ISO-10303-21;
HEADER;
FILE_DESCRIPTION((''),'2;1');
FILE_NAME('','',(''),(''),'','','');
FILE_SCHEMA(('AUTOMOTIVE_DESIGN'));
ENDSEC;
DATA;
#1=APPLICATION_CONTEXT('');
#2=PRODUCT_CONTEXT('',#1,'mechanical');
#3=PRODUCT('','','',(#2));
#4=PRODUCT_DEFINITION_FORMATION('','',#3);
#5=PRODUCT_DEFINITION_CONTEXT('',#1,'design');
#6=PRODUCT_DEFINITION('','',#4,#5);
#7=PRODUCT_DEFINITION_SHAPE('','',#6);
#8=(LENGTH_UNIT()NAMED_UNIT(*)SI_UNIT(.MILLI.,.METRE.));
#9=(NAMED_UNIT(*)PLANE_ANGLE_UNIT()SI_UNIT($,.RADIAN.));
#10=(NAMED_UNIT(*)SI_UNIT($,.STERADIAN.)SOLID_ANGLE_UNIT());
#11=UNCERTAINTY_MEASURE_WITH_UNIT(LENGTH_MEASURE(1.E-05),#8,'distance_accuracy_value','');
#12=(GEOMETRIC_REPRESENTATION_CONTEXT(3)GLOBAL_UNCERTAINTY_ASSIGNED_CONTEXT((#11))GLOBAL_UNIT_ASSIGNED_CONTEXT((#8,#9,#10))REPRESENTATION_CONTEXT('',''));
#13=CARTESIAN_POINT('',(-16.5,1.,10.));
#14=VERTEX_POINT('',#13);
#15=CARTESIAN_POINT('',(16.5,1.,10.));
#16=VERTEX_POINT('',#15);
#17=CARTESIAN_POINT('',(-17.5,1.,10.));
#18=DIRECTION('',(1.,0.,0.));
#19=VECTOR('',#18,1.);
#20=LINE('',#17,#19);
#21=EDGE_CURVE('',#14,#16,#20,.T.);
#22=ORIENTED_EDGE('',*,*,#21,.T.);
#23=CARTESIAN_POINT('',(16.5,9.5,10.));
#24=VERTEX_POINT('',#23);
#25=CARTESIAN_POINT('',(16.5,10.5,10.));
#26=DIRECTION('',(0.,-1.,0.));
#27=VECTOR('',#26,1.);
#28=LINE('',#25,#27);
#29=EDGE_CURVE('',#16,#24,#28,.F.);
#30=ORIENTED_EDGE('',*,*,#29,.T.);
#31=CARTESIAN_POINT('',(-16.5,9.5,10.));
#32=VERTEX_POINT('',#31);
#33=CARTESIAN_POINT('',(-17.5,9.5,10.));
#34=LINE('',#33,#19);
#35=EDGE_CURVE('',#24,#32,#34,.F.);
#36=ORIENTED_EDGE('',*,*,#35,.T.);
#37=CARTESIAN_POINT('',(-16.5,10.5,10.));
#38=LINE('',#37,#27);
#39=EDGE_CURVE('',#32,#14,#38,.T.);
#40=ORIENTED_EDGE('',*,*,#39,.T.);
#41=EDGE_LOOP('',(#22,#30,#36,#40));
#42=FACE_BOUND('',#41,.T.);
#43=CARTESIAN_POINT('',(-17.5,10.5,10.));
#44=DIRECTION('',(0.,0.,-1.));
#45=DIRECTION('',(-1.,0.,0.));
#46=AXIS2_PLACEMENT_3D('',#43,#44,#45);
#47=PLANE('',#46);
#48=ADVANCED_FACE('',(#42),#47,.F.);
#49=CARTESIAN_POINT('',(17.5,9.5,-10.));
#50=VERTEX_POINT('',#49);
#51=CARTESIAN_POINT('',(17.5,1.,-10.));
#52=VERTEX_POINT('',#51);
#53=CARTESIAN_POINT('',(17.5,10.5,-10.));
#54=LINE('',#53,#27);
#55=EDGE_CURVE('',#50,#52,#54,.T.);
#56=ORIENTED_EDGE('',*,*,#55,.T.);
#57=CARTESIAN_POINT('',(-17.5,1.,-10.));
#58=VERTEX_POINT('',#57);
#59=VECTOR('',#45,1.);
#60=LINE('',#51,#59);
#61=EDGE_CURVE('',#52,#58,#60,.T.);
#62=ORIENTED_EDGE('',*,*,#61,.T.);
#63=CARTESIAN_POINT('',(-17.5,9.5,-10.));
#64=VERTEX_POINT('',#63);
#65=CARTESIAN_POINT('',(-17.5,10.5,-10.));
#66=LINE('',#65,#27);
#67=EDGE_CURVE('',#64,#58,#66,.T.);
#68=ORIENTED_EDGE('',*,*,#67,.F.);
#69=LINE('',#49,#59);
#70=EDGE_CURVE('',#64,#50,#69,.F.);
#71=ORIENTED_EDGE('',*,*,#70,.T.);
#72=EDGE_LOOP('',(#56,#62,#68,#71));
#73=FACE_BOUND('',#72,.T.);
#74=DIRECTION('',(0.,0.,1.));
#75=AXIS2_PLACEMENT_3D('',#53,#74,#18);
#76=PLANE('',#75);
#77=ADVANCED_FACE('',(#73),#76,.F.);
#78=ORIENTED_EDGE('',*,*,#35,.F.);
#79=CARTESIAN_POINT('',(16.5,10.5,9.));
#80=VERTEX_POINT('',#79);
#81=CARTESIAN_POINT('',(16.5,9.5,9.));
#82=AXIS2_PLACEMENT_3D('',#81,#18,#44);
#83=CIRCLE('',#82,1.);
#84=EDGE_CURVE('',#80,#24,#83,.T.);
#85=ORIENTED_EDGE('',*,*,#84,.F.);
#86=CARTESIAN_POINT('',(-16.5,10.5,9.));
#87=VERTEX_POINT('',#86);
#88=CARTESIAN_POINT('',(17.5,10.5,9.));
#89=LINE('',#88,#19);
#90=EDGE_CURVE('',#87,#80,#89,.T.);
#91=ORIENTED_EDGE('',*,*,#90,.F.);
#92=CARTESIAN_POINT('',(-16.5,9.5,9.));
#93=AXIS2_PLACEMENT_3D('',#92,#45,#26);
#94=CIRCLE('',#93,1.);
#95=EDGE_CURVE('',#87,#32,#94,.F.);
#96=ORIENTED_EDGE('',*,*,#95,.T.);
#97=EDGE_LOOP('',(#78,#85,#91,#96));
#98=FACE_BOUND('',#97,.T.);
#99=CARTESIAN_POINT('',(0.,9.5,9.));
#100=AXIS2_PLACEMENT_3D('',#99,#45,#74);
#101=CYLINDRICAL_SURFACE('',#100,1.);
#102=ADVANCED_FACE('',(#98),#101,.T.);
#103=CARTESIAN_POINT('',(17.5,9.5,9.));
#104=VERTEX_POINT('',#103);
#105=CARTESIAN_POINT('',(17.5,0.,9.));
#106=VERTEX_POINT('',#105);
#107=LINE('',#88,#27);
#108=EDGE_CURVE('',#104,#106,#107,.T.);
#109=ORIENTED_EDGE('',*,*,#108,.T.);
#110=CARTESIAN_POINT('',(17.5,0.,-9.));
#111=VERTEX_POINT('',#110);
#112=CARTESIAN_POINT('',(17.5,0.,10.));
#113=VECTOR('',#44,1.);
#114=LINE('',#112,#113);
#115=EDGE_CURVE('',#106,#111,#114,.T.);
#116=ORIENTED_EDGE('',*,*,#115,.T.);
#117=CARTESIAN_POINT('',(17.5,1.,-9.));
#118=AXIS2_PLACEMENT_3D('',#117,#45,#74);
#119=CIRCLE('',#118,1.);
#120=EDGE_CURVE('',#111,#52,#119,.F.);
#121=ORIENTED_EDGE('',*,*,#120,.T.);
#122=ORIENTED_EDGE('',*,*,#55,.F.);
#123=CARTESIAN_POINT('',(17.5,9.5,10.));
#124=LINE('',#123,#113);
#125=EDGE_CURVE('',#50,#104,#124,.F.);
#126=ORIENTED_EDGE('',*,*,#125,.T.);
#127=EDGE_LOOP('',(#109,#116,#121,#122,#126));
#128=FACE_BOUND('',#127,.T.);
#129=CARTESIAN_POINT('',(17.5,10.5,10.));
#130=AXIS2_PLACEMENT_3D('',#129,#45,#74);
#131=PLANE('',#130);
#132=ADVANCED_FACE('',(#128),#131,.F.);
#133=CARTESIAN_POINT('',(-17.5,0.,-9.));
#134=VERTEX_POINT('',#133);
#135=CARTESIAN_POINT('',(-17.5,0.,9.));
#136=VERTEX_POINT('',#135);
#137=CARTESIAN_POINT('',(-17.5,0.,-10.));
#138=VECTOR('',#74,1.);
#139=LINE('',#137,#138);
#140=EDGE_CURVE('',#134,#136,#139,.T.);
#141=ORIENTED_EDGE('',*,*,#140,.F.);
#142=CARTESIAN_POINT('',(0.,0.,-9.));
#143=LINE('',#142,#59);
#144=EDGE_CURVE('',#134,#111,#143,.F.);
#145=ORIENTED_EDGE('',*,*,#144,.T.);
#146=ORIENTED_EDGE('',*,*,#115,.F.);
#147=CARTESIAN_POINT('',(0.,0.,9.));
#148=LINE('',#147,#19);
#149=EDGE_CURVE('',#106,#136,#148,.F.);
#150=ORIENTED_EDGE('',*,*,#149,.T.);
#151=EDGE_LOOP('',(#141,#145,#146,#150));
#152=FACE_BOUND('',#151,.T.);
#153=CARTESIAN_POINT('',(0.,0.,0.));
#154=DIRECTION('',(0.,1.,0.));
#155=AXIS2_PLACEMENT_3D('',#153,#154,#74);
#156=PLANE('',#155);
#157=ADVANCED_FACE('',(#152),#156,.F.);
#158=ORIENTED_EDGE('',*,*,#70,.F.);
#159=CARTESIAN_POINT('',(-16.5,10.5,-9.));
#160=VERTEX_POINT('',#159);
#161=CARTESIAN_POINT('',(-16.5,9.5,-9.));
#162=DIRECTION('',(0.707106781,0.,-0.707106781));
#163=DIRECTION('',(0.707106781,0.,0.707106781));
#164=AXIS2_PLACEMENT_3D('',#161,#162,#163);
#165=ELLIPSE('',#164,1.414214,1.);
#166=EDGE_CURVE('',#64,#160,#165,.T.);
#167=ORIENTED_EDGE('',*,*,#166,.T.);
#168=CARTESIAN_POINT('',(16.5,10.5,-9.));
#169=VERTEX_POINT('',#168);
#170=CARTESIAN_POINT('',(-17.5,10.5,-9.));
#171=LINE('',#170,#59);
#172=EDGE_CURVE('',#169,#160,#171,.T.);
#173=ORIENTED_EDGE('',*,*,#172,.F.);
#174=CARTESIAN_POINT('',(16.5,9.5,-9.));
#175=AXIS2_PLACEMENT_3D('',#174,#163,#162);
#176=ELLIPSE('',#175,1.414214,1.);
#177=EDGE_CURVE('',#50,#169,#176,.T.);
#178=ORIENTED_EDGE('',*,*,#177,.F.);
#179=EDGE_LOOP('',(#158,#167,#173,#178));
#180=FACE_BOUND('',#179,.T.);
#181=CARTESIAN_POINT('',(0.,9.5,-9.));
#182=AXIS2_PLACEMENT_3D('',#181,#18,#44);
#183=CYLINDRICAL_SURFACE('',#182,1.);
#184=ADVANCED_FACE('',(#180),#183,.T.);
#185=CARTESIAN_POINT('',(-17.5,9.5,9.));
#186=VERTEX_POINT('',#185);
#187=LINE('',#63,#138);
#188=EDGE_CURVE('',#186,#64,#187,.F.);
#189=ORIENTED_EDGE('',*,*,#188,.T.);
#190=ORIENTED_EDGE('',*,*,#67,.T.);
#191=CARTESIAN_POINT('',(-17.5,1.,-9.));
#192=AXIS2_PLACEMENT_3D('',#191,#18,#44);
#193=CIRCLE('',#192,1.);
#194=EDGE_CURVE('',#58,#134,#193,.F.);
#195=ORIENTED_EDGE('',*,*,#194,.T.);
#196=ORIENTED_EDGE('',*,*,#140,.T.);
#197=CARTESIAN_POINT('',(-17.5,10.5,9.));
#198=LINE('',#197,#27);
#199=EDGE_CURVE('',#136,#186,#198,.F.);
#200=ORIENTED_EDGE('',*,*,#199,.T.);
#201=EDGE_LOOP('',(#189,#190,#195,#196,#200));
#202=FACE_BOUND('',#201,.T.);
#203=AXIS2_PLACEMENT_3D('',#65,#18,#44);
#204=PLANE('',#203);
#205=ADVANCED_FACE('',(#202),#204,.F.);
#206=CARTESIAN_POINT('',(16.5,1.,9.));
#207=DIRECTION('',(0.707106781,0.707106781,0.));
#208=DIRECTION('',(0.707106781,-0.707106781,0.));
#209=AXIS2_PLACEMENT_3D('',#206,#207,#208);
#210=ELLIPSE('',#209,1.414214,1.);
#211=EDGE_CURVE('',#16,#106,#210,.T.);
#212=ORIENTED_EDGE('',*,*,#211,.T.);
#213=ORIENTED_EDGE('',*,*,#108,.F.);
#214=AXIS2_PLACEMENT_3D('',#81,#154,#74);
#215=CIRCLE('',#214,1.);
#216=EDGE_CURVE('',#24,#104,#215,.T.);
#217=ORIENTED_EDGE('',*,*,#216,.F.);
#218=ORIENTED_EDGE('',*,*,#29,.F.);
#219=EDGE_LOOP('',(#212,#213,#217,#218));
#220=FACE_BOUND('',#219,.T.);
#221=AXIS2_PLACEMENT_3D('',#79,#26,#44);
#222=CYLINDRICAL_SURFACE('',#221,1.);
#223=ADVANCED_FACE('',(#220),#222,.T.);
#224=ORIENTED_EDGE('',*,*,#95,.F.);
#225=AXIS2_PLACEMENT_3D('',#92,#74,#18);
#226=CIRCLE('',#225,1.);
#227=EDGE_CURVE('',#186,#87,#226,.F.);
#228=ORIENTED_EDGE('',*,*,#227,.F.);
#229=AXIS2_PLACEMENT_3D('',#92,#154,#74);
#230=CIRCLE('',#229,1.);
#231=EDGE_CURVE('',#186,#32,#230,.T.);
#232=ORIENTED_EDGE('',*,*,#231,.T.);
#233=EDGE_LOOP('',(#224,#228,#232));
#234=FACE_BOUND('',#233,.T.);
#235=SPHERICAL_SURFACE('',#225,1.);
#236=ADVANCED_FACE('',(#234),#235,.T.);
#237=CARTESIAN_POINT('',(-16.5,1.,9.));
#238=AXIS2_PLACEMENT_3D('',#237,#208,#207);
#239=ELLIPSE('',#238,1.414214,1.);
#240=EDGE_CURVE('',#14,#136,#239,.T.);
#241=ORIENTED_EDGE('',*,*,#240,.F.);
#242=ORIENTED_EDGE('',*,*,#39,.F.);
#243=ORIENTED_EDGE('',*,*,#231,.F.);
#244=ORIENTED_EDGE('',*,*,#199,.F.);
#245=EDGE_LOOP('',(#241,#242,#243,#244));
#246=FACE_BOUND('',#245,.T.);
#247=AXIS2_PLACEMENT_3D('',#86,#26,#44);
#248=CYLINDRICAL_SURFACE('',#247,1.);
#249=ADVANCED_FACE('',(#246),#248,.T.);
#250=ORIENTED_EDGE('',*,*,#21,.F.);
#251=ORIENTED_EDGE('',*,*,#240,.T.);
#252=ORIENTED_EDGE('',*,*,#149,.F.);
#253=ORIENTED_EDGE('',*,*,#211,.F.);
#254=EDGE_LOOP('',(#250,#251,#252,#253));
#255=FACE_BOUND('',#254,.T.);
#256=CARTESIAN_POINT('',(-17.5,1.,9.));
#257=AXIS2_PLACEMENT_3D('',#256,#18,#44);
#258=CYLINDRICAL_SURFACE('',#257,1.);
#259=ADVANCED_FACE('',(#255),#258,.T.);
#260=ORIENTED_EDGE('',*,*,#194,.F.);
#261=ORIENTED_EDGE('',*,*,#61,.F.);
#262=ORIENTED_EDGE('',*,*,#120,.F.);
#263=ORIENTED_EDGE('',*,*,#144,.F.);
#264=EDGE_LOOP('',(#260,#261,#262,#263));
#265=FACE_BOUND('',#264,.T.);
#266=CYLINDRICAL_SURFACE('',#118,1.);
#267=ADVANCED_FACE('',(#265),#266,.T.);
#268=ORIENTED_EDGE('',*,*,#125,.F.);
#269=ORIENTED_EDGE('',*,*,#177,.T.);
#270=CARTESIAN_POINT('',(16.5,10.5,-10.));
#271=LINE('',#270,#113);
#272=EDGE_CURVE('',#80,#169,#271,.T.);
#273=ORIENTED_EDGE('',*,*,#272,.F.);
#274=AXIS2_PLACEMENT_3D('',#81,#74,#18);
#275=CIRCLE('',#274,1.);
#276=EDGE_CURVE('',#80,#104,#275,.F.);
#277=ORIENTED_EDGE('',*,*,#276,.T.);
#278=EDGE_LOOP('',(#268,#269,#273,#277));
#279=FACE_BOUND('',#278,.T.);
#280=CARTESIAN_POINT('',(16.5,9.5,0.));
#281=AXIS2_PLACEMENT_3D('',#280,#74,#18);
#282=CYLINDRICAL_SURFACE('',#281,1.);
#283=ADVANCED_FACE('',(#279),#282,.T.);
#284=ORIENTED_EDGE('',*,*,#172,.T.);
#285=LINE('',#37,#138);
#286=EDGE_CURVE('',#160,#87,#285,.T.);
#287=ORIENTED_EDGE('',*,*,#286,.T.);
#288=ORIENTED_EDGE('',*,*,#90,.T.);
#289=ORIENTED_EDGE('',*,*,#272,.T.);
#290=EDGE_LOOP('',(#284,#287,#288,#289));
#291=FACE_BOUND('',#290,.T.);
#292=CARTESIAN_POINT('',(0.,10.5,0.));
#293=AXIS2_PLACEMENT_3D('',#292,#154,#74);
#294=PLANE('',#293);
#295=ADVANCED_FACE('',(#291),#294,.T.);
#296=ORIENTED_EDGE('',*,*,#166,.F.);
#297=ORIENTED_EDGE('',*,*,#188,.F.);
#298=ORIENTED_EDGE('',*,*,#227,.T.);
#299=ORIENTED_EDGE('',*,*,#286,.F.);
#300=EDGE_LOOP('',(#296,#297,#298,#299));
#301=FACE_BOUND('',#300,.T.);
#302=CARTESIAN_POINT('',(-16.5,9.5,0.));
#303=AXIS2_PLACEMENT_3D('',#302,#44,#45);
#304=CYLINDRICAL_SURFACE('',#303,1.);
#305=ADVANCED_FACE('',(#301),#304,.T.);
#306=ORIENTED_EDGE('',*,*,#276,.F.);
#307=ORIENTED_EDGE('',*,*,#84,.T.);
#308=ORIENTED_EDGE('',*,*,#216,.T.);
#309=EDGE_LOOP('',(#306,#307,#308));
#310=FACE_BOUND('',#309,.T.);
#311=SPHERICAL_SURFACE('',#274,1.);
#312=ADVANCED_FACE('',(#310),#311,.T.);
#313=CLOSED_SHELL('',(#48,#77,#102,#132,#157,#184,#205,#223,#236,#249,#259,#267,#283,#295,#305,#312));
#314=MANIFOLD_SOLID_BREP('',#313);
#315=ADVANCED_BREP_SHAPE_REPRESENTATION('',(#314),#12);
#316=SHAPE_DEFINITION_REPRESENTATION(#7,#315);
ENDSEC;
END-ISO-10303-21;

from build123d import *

# Parameters (mm, degrees)
SKETCH_1_W      = 35
SKETCH_1_H      = 20
EXTRUDE_1_DEPTH = 10.5
FILLET_1_R      = 1


with BuildPart() as part:
    # 草图1 → 凸台-拉伸1 (new body)
    with BuildSketch(Plane(origin=(0, 0, 0), x_dir=(1, 0, 0), z_dir=(0, 1, 0))):
        Rectangle(SKETCH_1_W, SKETCH_1_H)
    extrude(amount=EXTRUDE_1_DEPTH)

    # 圆角1
    fillet_1_edges = [part.edges().sort_by_distance(p)[0] for p in [
        (0, 10.5, 10),
        (17.5, 10.5, 0),
        (0, 10.5, -10),
        (0, 0, 10),
        (0, 0, -10),
        (-17.5, 10.5, 0),
        (17.5, 5.25, 10),
        (-17.5, 5.25, 10),
    ]]
    fillet(fillet_1_edges, radius=FILLET_1_R)


solid = part.part
